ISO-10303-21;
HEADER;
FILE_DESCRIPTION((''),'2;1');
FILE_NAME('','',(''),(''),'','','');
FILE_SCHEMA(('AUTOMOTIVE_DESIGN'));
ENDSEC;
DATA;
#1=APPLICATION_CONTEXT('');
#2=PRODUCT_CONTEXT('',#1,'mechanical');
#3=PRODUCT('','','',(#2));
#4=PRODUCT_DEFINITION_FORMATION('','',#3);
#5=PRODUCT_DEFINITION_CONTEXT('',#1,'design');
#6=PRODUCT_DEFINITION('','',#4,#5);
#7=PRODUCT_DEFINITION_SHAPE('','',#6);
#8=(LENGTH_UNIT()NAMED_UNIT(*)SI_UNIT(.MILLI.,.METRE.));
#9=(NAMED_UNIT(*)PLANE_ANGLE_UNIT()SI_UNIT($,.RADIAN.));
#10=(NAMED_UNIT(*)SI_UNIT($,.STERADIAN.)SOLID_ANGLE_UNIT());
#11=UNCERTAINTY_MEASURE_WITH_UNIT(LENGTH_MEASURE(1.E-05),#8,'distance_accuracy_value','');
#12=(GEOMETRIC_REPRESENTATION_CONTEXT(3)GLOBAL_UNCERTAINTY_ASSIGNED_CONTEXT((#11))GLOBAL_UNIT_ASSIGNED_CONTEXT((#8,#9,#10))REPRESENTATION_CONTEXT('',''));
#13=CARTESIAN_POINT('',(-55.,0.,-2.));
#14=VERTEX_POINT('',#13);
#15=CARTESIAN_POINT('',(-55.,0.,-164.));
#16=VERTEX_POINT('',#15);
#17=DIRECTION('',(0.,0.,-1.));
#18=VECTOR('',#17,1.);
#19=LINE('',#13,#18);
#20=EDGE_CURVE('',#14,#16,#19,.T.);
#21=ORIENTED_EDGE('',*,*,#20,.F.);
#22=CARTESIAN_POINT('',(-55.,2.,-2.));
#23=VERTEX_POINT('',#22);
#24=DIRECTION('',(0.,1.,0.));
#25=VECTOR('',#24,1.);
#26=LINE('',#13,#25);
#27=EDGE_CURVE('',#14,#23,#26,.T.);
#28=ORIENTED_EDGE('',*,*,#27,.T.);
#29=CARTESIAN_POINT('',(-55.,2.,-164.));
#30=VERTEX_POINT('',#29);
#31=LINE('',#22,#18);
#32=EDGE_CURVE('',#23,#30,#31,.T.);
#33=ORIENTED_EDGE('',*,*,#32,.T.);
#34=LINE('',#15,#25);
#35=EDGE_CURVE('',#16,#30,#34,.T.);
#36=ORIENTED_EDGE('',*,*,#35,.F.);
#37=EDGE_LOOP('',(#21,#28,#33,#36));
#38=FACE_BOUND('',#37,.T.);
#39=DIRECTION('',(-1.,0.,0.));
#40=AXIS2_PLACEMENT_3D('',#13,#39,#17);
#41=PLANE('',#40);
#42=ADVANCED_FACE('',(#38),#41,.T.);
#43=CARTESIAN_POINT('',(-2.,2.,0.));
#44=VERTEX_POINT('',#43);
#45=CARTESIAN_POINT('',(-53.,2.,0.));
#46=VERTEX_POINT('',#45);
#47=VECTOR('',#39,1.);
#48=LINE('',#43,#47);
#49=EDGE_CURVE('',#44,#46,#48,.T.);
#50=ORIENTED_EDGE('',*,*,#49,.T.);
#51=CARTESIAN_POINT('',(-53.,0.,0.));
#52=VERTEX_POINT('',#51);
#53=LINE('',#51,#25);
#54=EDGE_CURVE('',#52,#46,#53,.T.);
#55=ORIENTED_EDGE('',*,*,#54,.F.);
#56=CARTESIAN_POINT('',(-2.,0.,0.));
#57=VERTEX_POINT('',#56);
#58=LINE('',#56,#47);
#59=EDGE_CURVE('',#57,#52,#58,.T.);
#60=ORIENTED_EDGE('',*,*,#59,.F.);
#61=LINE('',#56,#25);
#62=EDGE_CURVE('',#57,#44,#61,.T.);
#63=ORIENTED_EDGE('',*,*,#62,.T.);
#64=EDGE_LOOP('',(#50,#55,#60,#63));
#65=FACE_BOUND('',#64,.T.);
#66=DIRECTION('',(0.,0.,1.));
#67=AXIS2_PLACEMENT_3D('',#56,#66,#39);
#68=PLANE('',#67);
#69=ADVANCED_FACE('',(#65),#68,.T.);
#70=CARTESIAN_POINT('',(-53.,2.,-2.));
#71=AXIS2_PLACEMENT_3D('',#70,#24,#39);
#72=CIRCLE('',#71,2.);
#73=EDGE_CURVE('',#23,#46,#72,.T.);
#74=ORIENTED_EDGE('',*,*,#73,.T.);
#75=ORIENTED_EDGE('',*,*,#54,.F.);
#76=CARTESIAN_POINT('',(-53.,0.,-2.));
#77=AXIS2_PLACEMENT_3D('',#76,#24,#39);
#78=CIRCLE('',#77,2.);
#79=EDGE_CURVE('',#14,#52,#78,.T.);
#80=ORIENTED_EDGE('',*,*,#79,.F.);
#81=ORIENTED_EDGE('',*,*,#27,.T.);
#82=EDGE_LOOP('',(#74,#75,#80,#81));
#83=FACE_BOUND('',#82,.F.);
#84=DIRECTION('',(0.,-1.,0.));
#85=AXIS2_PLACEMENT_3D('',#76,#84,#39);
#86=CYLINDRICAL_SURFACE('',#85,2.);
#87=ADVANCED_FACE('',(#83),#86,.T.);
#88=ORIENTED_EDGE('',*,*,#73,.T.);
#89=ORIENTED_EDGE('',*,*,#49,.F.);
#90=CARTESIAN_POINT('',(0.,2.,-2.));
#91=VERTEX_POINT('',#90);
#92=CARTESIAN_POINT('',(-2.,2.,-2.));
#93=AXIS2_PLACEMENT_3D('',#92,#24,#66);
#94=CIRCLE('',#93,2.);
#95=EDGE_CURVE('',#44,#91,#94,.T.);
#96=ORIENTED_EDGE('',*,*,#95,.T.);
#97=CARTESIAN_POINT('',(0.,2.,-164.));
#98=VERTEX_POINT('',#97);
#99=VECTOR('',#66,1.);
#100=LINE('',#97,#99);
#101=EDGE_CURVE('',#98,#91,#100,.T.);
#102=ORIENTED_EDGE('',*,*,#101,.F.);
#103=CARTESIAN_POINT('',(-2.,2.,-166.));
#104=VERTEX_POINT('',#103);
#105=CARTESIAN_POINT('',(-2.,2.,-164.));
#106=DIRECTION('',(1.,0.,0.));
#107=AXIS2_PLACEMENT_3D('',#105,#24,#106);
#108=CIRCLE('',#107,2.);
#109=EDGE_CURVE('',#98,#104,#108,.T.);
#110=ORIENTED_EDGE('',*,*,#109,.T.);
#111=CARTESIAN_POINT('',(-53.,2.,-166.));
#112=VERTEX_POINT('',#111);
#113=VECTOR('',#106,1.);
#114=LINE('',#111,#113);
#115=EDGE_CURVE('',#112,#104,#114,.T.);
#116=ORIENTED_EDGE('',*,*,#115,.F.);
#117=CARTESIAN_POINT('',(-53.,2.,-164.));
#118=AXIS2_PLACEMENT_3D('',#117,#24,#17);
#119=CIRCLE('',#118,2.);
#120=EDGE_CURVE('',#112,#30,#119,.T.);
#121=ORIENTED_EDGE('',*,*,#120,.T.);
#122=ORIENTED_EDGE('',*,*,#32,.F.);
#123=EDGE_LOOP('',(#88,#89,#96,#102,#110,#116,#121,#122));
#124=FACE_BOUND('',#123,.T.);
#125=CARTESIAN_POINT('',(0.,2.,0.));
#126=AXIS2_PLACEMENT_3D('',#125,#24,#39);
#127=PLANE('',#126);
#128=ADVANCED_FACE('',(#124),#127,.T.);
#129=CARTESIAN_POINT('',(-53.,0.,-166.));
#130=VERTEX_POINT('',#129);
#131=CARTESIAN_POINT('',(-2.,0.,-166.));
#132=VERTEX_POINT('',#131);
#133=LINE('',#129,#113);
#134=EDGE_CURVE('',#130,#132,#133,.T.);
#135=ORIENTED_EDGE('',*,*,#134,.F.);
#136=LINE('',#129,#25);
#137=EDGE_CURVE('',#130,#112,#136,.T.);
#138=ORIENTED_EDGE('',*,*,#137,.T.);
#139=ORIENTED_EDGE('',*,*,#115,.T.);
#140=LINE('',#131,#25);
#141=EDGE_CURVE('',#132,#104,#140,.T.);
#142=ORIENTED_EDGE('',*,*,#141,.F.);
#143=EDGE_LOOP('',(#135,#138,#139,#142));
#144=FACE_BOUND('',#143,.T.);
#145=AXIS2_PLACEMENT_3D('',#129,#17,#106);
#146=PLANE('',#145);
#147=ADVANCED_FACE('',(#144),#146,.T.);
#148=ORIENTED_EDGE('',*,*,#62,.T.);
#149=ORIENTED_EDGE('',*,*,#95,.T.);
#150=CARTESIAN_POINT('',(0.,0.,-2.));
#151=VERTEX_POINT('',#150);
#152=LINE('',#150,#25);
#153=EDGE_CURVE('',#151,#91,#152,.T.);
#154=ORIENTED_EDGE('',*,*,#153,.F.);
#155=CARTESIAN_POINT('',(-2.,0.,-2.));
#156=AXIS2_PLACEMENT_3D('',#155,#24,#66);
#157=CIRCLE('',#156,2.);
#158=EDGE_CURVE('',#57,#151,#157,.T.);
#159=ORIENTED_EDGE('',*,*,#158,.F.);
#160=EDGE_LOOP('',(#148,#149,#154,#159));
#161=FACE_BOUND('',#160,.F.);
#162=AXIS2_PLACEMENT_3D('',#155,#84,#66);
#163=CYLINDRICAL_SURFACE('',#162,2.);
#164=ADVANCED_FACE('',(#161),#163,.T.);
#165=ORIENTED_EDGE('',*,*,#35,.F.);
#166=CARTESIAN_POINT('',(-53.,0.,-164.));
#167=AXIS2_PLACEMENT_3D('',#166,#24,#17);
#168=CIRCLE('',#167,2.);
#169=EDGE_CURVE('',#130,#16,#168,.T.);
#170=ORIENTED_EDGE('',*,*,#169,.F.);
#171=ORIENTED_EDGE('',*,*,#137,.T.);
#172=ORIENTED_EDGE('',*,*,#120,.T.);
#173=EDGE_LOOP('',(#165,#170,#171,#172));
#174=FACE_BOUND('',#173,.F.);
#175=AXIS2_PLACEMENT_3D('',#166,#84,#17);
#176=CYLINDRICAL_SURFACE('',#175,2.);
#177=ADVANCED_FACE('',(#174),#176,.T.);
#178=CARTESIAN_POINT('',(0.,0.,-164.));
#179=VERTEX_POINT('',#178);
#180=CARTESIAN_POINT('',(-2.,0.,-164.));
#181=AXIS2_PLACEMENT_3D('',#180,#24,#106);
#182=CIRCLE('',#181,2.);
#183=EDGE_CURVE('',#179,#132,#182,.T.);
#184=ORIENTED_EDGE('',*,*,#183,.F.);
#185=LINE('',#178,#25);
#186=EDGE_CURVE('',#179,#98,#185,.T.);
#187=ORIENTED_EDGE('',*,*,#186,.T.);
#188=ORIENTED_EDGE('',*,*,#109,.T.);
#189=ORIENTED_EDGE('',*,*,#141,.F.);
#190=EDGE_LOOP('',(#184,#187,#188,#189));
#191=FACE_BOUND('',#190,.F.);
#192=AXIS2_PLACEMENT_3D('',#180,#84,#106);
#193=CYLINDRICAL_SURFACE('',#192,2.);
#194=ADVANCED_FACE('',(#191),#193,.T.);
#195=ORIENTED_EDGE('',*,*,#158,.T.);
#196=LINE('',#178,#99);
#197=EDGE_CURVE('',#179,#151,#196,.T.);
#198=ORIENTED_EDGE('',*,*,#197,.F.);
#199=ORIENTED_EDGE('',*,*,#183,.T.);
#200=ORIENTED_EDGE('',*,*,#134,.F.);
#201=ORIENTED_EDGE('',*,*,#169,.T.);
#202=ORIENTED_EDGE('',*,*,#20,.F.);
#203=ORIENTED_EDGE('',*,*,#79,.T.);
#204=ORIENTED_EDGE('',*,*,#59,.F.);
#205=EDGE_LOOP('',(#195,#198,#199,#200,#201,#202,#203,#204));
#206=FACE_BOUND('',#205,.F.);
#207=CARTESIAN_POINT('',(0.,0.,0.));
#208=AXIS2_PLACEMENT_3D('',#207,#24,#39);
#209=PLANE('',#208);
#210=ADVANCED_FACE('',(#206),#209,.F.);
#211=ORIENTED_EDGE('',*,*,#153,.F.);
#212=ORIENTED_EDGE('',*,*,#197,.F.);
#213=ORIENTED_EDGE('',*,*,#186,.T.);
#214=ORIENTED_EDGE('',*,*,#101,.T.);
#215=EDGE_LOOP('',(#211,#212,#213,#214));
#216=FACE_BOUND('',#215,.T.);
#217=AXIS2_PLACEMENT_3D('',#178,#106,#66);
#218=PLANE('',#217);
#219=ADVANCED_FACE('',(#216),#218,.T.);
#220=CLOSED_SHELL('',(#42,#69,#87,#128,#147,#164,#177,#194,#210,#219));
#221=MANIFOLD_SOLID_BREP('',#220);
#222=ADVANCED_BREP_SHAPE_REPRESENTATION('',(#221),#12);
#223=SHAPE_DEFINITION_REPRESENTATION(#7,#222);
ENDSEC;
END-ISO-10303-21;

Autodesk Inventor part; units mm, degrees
ref_plane "YZ Plane" through (0, 0, 0) normal (1, 0, 0) x (0, 1, 0)
ref_plane "XZ Plane" through (0, 0, 0) normal (0, 1, 0) x (-1, 0, 0)
ref_plane "XY Plane" through (0, 0, 0) normal (0, 0, 1) x (1, 0, 0)
sketch "Sketch1" plane through (0, 0, 0) normal (0, 1, 0) x (-1, 0, 0)
  line L0 (2, 0) -> (53, 0)
  line L1 (55, -2) -> (55, -164)
  line L2 (53, -166) -> (2, -166)
  line L3 (0, -164) -> (0, -2)
  arc A0 (53, -166) -> (55, -164) centre (53, -164) ccw
  arc A1 (0, -164) -> (2, -166) centre (2, -164) ccw
  arc A2 (55, -2) -> (53, 0) centre (53, -2) ccw
  arc A3 (2, 0) -> (0, -2) centre (2, -2) ccw
  point P0 (0, 0)
  point P1 (55, -166)
  point P2 (55, 0)
  point P3 (0, -166)
  dimension "d0" = 55
  dimension "d1" = 166
  dimension "d2" = 2
extrude "Extrusion1" add sketch "Sketch1" along normal blind 2
properties part number "Maze Wall Cut Jig"
